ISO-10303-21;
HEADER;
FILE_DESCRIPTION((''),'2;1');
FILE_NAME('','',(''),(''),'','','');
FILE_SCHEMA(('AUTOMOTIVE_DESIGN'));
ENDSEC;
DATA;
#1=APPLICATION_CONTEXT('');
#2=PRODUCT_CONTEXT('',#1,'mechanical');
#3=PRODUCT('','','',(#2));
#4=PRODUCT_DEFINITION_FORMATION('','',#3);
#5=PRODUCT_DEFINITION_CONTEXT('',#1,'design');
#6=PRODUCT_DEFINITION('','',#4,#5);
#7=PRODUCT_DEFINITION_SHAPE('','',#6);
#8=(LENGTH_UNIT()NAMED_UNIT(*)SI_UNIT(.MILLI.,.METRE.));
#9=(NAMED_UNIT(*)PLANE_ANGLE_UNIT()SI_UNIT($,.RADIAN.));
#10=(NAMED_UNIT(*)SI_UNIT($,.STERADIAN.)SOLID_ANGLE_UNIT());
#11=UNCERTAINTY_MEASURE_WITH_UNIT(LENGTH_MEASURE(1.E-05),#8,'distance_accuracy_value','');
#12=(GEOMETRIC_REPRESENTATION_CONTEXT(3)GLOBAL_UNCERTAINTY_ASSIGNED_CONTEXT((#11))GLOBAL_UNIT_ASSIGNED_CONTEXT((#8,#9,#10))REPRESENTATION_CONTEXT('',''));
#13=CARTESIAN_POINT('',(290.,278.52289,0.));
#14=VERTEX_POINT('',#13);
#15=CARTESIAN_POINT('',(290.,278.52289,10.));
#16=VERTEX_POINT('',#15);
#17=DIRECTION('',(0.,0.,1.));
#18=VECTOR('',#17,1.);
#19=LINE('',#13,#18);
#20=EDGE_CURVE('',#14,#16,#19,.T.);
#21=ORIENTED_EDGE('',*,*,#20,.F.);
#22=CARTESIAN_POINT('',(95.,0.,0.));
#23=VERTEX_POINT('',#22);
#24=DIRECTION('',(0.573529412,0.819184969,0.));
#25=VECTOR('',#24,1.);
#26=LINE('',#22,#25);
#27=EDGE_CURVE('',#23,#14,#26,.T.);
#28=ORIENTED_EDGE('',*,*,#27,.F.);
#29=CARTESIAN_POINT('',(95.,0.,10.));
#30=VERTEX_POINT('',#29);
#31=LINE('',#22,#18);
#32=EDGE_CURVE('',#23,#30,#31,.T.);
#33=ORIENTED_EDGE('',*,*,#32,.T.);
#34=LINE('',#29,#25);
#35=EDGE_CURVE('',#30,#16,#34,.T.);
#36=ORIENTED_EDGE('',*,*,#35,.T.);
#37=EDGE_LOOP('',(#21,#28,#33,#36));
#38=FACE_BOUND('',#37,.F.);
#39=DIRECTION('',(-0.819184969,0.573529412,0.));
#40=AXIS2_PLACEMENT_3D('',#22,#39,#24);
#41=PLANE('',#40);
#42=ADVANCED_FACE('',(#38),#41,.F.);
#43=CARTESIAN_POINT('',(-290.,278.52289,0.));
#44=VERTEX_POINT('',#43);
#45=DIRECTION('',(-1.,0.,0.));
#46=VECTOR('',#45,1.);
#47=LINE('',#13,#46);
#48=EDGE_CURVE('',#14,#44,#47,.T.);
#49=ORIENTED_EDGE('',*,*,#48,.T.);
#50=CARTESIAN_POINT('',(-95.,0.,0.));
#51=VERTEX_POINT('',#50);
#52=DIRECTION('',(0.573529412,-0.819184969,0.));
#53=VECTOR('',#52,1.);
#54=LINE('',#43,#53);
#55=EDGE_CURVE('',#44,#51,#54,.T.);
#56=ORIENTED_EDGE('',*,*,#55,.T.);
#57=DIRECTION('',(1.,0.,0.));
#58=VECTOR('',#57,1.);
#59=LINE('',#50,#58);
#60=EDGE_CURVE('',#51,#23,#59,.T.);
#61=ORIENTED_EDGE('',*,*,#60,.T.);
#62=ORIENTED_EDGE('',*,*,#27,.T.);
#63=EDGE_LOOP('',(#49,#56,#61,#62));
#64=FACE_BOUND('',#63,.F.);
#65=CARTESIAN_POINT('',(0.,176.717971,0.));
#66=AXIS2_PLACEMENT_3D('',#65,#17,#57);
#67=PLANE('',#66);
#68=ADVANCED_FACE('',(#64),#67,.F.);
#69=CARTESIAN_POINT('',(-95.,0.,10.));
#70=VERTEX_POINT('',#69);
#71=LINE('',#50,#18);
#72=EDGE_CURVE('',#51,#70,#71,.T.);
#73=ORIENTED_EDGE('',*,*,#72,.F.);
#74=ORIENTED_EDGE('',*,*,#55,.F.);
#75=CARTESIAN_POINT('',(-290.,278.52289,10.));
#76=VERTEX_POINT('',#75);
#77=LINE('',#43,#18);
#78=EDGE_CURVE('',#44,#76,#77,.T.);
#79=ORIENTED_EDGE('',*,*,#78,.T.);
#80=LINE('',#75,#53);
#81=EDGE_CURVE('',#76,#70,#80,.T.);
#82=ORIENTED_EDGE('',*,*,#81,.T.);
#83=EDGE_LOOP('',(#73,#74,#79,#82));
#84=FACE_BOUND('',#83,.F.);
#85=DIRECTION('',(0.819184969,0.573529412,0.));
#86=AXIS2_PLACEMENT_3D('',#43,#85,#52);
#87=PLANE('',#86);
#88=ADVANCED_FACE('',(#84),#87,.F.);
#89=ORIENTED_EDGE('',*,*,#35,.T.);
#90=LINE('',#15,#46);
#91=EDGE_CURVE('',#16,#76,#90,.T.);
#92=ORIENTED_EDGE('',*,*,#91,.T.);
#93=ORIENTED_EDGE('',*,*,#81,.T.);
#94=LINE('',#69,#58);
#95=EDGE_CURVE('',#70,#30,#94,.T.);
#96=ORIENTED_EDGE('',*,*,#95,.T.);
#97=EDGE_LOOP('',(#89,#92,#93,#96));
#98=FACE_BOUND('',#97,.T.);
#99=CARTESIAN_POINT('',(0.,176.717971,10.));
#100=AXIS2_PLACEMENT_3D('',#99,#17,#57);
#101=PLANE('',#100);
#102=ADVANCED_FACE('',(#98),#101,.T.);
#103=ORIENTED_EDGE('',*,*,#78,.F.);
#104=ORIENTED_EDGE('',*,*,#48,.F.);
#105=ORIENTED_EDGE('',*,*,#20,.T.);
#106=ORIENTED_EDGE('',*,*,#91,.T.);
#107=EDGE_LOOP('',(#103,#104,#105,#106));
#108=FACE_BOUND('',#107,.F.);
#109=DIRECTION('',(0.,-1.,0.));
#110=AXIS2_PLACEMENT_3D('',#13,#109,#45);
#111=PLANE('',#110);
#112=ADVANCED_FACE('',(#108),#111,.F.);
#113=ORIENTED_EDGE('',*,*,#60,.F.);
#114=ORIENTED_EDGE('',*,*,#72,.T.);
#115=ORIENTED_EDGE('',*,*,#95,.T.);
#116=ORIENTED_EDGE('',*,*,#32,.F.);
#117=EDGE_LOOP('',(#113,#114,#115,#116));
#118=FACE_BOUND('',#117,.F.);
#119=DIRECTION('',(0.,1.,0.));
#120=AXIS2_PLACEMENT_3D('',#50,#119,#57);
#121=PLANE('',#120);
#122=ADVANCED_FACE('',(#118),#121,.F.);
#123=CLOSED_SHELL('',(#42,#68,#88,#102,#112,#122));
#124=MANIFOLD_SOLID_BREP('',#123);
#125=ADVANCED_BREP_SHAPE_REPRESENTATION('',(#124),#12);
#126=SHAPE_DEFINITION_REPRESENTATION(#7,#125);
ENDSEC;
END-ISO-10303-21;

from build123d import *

# Parameters (mm, degrees)
BOSS_EXTRUDE1_DEPTH = 10


with BuildPart() as part:
    # Sketch1 → Boss-Extrude1 (new body)
    with BuildSketch(Plane.XY):
        Polygon((-95, 0), (95, 0), (290, 278.522889544), (-290, 278.522889544), align=None)
    extrude(amount=BOSS_EXTRUDE1_DEPTH)


solid = part.part
